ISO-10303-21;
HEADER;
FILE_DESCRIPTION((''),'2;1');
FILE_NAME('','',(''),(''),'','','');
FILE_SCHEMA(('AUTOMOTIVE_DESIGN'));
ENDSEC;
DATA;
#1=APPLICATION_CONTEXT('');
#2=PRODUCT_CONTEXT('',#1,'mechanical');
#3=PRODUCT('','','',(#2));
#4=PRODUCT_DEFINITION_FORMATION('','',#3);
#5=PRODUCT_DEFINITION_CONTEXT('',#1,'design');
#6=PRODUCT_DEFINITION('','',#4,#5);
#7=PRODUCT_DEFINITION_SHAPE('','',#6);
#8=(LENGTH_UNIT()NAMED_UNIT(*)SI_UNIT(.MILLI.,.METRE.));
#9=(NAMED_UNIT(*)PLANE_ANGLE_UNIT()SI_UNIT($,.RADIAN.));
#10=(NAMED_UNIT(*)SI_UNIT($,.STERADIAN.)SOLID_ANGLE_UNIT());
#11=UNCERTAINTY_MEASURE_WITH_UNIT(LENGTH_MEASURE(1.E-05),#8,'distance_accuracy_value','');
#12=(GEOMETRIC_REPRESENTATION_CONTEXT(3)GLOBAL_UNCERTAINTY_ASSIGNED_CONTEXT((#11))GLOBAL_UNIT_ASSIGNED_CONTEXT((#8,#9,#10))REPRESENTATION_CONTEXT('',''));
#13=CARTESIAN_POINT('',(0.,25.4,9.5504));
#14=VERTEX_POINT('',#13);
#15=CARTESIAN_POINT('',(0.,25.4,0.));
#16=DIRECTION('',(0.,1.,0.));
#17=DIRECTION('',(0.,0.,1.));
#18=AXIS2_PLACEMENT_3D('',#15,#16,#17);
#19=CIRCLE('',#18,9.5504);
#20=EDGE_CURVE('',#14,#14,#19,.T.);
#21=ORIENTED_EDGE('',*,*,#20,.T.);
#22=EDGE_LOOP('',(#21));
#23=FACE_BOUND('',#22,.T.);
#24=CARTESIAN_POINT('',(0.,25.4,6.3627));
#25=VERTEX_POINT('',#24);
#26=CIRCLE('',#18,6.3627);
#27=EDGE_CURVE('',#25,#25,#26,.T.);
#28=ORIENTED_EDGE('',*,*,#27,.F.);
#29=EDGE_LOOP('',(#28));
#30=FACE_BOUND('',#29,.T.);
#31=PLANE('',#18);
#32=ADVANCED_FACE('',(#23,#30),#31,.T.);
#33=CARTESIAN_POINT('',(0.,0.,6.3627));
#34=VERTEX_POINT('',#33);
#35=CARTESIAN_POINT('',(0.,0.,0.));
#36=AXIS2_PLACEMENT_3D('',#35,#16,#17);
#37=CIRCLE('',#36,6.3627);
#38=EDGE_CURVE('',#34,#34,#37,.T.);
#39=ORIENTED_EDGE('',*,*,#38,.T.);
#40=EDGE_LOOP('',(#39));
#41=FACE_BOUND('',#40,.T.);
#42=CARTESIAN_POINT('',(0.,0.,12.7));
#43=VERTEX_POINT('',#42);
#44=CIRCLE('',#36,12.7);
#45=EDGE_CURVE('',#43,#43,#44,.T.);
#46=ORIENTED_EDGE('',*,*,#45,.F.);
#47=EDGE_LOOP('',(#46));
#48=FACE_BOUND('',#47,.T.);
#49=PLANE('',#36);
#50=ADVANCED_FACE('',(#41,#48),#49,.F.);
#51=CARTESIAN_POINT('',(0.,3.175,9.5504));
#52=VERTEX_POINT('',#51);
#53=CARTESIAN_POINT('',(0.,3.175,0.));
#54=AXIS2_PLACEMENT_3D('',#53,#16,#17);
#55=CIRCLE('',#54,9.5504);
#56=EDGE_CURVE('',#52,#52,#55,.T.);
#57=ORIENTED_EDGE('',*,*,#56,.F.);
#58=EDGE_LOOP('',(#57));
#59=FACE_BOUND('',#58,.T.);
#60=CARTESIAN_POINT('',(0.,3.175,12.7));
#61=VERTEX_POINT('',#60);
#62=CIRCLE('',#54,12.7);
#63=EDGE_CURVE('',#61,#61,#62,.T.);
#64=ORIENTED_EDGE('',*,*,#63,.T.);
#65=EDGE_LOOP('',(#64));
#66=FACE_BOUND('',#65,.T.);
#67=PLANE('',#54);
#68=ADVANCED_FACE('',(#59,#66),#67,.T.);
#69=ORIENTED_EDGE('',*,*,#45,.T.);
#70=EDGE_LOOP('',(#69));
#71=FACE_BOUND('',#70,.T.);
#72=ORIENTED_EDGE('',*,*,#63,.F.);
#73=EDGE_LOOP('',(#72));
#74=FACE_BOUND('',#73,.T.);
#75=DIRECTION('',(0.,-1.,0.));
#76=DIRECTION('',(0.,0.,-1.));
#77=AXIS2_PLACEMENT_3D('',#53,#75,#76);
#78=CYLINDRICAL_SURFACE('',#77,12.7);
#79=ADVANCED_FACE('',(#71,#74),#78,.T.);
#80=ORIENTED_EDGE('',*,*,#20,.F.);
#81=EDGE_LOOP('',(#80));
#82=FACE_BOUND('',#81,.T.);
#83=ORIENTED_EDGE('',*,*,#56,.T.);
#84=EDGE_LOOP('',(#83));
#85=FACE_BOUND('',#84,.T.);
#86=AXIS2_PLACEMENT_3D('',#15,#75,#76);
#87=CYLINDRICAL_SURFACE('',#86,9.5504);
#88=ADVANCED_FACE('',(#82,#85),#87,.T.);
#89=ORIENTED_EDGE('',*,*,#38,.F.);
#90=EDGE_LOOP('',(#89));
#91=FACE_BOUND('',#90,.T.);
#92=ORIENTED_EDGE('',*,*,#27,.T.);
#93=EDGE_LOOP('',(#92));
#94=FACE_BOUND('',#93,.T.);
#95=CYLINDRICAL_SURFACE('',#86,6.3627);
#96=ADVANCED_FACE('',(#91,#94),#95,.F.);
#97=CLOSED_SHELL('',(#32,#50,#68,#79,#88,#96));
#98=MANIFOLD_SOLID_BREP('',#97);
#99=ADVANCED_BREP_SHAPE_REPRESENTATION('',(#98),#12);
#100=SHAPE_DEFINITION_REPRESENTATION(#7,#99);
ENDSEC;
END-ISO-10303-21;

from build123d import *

# Parameters (mm, degrees)
SKETCH2_R           = 9.5504
SKETCH2_R_2         = 6.3627
BOSS_EXTRUDE1_DEPTH = 25.4
SKETCH3_R           = 12.7
SKETCH3_R_2         = 9.5504
BOSS_EXTRUDE2_DEPTH = 3.175


with BuildPart() as part:
    # Sketch2 → Boss-Extrude1 (new body)
    with BuildSketch(Plane(origin=(0, 0, 0), x_dir=(1, 0, 0), z_dir=(0, 1, 0))):
        with Locations(Location((0, 0, 0), (0, 0, 270))):
            Circle(SKETCH2_R)
        with Locations(Location((0, 0, 0), (0, 0, 270))):
            Circle(SKETCH2_R_2, mode=Mode.SUBTRACT)
    extrude(amount=BOSS_EXTRUDE1_DEPTH)

    # Sketch3 → Boss-Extrude2 (add)
    with BuildSketch(Plane(origin=(0, 0, 0), x_dir=(1, 0, 0), z_dir=(0, 1, 0))):
        with Locations(Location((0, 0, 0), (0, 0, 270))):
            Circle(SKETCH3_R)
        with Locations(Location((0, 0, 0), (0, 0, 270))):
            Circle(SKETCH3_R_2, mode=Mode.SUBTRACT)
    extrude(amount=BOSS_EXTRUDE2_DEPTH)


solid = part.part
